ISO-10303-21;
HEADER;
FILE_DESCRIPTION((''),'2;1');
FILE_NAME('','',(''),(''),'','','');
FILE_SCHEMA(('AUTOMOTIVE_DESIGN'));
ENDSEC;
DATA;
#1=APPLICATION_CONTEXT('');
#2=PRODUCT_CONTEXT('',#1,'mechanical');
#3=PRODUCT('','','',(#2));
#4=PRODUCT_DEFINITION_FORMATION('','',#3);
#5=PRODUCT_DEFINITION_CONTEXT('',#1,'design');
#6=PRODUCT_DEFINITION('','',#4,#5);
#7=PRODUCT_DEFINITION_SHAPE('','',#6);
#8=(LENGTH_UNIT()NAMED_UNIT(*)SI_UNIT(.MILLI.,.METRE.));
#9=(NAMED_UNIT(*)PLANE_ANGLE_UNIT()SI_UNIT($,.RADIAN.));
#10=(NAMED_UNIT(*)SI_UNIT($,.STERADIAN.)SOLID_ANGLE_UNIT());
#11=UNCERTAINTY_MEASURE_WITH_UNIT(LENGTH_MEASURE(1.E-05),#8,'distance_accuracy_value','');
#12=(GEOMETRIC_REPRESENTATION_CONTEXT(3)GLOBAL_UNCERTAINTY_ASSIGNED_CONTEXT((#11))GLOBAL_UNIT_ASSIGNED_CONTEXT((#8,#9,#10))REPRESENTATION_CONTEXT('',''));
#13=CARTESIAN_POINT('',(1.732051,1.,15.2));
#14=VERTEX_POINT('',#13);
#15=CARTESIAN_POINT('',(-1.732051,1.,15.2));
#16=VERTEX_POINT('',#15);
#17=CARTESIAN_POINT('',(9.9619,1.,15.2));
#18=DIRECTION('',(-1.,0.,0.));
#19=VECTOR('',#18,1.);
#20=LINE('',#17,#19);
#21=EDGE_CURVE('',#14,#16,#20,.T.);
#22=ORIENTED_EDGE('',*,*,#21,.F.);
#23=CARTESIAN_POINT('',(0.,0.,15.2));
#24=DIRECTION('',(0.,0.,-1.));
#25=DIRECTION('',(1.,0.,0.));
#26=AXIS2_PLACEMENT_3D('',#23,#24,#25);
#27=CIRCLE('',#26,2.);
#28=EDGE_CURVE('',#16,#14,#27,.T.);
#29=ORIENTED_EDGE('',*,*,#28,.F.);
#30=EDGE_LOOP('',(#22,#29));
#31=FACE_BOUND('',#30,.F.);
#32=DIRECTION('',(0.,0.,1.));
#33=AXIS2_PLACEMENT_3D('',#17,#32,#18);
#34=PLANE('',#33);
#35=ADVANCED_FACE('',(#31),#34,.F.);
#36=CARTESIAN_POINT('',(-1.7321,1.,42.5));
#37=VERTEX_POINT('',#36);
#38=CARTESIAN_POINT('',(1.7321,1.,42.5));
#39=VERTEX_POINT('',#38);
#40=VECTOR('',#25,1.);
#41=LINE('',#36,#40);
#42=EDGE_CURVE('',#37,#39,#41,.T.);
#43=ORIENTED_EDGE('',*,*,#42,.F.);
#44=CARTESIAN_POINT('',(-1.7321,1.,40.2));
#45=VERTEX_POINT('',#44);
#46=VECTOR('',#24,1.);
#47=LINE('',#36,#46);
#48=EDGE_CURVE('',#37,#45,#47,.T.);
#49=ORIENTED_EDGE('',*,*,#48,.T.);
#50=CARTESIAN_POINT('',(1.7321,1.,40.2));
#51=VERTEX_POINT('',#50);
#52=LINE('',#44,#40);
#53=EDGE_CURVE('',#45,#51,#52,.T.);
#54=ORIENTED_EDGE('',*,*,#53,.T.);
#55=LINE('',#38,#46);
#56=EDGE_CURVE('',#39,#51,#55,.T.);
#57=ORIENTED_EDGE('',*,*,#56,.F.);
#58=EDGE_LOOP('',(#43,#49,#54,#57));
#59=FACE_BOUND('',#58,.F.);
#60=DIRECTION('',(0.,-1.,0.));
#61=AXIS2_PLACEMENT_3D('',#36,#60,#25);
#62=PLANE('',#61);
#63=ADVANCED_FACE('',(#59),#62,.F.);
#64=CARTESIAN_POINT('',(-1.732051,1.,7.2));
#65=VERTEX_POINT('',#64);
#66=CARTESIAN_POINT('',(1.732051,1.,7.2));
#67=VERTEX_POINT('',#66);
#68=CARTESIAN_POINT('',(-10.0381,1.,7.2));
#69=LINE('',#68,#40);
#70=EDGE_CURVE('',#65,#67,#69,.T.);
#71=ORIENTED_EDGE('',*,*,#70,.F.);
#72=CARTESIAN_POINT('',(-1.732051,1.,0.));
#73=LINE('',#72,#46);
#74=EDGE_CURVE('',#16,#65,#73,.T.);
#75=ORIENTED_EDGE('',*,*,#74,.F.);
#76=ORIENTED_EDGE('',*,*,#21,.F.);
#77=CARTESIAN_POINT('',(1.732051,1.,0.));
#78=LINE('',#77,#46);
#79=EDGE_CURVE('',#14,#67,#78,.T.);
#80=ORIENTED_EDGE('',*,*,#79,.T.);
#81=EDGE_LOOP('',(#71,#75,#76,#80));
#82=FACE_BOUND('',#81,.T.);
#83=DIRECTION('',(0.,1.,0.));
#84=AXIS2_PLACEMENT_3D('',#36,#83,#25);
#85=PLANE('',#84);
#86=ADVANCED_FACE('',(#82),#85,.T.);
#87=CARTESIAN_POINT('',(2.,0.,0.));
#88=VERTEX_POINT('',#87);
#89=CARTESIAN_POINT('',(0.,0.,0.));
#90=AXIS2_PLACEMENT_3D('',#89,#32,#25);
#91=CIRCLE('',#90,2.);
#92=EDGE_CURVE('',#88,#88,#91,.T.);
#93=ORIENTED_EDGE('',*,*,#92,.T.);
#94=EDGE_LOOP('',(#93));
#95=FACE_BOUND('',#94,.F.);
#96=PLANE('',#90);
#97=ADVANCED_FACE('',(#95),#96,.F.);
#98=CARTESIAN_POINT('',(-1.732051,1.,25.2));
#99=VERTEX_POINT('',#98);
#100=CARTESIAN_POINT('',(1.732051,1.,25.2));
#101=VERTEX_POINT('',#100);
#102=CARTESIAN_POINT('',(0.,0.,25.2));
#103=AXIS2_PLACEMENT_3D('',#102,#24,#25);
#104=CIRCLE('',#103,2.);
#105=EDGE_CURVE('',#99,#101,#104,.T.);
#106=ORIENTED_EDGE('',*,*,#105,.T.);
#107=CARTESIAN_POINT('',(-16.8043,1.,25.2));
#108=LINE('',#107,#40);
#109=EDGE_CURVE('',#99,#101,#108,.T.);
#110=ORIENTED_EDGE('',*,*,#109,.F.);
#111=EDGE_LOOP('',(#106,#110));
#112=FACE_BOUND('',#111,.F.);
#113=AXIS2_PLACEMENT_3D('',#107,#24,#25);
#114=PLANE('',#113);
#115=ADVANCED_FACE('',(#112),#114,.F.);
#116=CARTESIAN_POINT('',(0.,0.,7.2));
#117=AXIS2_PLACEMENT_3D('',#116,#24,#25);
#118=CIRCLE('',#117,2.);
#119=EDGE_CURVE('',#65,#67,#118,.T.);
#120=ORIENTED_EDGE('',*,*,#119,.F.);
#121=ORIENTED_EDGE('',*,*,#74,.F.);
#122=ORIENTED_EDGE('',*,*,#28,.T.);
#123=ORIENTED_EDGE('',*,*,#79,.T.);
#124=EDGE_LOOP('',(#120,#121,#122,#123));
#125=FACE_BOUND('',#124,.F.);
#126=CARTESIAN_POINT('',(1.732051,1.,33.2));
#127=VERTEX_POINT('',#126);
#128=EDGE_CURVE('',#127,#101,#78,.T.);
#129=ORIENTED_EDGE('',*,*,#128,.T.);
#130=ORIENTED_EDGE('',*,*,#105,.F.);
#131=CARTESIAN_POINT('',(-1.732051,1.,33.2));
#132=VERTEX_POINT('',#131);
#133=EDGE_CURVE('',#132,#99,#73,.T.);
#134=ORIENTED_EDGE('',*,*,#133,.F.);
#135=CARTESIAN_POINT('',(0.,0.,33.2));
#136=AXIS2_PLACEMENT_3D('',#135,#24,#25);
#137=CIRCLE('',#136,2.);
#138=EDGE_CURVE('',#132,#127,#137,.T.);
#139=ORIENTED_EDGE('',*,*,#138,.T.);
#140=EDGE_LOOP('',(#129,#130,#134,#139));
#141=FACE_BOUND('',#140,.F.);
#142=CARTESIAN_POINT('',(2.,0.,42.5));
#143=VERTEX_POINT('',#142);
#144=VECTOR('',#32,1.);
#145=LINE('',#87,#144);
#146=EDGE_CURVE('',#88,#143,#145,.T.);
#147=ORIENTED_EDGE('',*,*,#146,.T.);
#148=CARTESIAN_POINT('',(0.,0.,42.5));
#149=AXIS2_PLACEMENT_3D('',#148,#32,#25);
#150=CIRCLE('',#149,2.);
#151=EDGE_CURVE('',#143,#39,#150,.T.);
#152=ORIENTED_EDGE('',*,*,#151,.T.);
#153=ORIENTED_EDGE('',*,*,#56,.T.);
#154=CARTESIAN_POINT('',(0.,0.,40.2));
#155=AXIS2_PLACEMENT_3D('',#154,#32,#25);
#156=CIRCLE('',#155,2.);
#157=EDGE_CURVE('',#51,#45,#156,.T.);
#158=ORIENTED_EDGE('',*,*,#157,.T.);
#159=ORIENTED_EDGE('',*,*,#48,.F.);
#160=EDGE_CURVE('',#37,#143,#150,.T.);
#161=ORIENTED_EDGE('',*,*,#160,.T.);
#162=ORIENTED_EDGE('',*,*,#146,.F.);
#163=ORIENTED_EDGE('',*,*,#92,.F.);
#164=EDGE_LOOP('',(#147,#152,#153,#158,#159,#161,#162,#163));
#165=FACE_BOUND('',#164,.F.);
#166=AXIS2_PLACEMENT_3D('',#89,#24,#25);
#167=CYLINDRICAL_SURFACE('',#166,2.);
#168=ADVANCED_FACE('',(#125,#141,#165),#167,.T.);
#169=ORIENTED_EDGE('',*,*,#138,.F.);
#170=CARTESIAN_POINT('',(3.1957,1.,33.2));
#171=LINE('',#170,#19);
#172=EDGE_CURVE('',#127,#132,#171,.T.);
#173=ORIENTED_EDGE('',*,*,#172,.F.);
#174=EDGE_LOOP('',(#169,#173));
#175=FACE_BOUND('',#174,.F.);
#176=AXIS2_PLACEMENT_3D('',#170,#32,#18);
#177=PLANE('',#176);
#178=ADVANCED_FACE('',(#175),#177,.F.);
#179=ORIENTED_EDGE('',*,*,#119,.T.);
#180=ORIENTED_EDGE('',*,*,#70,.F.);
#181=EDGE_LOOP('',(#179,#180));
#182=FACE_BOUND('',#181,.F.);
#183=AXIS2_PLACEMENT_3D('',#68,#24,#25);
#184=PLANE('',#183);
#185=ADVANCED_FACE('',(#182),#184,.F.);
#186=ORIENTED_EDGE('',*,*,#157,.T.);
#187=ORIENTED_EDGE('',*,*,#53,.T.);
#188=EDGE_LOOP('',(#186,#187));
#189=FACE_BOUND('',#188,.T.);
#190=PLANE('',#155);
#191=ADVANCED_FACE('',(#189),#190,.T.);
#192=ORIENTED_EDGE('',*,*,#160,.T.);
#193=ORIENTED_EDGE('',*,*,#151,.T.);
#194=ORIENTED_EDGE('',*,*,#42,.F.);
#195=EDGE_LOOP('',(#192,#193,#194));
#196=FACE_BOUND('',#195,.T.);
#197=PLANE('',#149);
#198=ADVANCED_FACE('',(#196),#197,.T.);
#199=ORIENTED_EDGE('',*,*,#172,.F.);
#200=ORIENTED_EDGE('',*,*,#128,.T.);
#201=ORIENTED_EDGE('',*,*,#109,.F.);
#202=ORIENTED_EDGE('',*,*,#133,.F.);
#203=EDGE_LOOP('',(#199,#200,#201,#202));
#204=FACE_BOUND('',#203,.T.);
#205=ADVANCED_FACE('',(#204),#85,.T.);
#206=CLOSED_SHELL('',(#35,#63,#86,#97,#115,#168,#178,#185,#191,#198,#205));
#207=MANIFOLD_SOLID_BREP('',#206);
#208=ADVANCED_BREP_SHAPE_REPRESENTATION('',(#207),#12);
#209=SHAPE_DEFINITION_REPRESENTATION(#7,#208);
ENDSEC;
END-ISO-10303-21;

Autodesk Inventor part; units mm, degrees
ref_plane "YZ Plane" through (0, 0, 0) normal (1, 0, 0) x (0, 1, 0)
ref_plane "XZ Plane" through (0, 0, 0) normal (0, 1, 0) x (-1, 0, 0)
ref_plane "XY Plane" through (0, 0, 0) normal (0, 0, 1) x (1, 0, 0)
sketch "スケッチ1" plane through (0, 0, 0) normal (0, 0, 1) x (1, 0, 0)
  circle A0 centre (0, 0) radius 2
  dimension "d0" = 4
extrude "押し出し1" add sketch "スケッチ1" along normal blind 42.5
sketch "スケッチ2" plane through (0, 0, 42.5) normal (0, 0, 1) x (1, 0, 0)
  circle A0 centre (0, 0) radius 2 projected
  line L0 (-1.7321, 1) -> (1.7321, 1)
  dimension "d3" = 1
extrude "押し出し2" cut sketch "スケッチ2" against normal blind 2.3 contours L0 A0 picked at (0.4849, 1.1242)
sketch "スケッチ3" plane through (0, 0, 42.5) normal (0, 0, 1) x (1, 0, 0)
  point P0 (0, 0)
sketch "スケッチ4" plane through (0, 0, 0) normal (0, 0, -1) x (-1, 0, 0)
  arc A0 (1.7321, 1) -> (-1.7321, 1) centre (0, 0) ccw projected
  circle A1 centre (0, 0) radius 2 projected
sketch "スケッチ5" plane through (-1.7321, 1, 42.5) normal (0, 1, 0) x (1, 0, 0)
  point P0 (1.7321, 42.5)
sketch "スケッチ6" plane through (-1.7321, 1, 42.5) normal (0, 1, 0) x (1, 0, 0)
  line L0 (-15.0722, 17.3) -> (4.9278, 17.3)
  line L1 (4.9278, 17.3) -> (4.9278, 9.3)
  line L2 (4.9278, 9.3) -> (-15.0722, 9.3)
  line L3 (-15.0722, 9.3) -> (-15.0722, 17.3)
  line L4 (3.4641, 2.3) -> (0, 2.3) projected
  line L5 (-8.306, 35.3) -> (11.694, 35.3)
  line L6 (11.694, 35.3) -> (11.694, 27.3)
  line L7 (11.694, 27.3) -> (-8.306, 27.3)
  line L8 (-8.306, 27.3) -> (-8.306, 35.3)
  point P0 (1.7321, 42.5)
  dimension "d8" = 8
  dimension "d9" = 20
  dimension "d10" = 15
  dimension "d12" = 20
  dimension "d13" = 25
  dimension "d16" = 8
extrude "押し出し3" cut sketch "スケッチ6" along normal blind 10
properties part number "3SR03_振子軸"
